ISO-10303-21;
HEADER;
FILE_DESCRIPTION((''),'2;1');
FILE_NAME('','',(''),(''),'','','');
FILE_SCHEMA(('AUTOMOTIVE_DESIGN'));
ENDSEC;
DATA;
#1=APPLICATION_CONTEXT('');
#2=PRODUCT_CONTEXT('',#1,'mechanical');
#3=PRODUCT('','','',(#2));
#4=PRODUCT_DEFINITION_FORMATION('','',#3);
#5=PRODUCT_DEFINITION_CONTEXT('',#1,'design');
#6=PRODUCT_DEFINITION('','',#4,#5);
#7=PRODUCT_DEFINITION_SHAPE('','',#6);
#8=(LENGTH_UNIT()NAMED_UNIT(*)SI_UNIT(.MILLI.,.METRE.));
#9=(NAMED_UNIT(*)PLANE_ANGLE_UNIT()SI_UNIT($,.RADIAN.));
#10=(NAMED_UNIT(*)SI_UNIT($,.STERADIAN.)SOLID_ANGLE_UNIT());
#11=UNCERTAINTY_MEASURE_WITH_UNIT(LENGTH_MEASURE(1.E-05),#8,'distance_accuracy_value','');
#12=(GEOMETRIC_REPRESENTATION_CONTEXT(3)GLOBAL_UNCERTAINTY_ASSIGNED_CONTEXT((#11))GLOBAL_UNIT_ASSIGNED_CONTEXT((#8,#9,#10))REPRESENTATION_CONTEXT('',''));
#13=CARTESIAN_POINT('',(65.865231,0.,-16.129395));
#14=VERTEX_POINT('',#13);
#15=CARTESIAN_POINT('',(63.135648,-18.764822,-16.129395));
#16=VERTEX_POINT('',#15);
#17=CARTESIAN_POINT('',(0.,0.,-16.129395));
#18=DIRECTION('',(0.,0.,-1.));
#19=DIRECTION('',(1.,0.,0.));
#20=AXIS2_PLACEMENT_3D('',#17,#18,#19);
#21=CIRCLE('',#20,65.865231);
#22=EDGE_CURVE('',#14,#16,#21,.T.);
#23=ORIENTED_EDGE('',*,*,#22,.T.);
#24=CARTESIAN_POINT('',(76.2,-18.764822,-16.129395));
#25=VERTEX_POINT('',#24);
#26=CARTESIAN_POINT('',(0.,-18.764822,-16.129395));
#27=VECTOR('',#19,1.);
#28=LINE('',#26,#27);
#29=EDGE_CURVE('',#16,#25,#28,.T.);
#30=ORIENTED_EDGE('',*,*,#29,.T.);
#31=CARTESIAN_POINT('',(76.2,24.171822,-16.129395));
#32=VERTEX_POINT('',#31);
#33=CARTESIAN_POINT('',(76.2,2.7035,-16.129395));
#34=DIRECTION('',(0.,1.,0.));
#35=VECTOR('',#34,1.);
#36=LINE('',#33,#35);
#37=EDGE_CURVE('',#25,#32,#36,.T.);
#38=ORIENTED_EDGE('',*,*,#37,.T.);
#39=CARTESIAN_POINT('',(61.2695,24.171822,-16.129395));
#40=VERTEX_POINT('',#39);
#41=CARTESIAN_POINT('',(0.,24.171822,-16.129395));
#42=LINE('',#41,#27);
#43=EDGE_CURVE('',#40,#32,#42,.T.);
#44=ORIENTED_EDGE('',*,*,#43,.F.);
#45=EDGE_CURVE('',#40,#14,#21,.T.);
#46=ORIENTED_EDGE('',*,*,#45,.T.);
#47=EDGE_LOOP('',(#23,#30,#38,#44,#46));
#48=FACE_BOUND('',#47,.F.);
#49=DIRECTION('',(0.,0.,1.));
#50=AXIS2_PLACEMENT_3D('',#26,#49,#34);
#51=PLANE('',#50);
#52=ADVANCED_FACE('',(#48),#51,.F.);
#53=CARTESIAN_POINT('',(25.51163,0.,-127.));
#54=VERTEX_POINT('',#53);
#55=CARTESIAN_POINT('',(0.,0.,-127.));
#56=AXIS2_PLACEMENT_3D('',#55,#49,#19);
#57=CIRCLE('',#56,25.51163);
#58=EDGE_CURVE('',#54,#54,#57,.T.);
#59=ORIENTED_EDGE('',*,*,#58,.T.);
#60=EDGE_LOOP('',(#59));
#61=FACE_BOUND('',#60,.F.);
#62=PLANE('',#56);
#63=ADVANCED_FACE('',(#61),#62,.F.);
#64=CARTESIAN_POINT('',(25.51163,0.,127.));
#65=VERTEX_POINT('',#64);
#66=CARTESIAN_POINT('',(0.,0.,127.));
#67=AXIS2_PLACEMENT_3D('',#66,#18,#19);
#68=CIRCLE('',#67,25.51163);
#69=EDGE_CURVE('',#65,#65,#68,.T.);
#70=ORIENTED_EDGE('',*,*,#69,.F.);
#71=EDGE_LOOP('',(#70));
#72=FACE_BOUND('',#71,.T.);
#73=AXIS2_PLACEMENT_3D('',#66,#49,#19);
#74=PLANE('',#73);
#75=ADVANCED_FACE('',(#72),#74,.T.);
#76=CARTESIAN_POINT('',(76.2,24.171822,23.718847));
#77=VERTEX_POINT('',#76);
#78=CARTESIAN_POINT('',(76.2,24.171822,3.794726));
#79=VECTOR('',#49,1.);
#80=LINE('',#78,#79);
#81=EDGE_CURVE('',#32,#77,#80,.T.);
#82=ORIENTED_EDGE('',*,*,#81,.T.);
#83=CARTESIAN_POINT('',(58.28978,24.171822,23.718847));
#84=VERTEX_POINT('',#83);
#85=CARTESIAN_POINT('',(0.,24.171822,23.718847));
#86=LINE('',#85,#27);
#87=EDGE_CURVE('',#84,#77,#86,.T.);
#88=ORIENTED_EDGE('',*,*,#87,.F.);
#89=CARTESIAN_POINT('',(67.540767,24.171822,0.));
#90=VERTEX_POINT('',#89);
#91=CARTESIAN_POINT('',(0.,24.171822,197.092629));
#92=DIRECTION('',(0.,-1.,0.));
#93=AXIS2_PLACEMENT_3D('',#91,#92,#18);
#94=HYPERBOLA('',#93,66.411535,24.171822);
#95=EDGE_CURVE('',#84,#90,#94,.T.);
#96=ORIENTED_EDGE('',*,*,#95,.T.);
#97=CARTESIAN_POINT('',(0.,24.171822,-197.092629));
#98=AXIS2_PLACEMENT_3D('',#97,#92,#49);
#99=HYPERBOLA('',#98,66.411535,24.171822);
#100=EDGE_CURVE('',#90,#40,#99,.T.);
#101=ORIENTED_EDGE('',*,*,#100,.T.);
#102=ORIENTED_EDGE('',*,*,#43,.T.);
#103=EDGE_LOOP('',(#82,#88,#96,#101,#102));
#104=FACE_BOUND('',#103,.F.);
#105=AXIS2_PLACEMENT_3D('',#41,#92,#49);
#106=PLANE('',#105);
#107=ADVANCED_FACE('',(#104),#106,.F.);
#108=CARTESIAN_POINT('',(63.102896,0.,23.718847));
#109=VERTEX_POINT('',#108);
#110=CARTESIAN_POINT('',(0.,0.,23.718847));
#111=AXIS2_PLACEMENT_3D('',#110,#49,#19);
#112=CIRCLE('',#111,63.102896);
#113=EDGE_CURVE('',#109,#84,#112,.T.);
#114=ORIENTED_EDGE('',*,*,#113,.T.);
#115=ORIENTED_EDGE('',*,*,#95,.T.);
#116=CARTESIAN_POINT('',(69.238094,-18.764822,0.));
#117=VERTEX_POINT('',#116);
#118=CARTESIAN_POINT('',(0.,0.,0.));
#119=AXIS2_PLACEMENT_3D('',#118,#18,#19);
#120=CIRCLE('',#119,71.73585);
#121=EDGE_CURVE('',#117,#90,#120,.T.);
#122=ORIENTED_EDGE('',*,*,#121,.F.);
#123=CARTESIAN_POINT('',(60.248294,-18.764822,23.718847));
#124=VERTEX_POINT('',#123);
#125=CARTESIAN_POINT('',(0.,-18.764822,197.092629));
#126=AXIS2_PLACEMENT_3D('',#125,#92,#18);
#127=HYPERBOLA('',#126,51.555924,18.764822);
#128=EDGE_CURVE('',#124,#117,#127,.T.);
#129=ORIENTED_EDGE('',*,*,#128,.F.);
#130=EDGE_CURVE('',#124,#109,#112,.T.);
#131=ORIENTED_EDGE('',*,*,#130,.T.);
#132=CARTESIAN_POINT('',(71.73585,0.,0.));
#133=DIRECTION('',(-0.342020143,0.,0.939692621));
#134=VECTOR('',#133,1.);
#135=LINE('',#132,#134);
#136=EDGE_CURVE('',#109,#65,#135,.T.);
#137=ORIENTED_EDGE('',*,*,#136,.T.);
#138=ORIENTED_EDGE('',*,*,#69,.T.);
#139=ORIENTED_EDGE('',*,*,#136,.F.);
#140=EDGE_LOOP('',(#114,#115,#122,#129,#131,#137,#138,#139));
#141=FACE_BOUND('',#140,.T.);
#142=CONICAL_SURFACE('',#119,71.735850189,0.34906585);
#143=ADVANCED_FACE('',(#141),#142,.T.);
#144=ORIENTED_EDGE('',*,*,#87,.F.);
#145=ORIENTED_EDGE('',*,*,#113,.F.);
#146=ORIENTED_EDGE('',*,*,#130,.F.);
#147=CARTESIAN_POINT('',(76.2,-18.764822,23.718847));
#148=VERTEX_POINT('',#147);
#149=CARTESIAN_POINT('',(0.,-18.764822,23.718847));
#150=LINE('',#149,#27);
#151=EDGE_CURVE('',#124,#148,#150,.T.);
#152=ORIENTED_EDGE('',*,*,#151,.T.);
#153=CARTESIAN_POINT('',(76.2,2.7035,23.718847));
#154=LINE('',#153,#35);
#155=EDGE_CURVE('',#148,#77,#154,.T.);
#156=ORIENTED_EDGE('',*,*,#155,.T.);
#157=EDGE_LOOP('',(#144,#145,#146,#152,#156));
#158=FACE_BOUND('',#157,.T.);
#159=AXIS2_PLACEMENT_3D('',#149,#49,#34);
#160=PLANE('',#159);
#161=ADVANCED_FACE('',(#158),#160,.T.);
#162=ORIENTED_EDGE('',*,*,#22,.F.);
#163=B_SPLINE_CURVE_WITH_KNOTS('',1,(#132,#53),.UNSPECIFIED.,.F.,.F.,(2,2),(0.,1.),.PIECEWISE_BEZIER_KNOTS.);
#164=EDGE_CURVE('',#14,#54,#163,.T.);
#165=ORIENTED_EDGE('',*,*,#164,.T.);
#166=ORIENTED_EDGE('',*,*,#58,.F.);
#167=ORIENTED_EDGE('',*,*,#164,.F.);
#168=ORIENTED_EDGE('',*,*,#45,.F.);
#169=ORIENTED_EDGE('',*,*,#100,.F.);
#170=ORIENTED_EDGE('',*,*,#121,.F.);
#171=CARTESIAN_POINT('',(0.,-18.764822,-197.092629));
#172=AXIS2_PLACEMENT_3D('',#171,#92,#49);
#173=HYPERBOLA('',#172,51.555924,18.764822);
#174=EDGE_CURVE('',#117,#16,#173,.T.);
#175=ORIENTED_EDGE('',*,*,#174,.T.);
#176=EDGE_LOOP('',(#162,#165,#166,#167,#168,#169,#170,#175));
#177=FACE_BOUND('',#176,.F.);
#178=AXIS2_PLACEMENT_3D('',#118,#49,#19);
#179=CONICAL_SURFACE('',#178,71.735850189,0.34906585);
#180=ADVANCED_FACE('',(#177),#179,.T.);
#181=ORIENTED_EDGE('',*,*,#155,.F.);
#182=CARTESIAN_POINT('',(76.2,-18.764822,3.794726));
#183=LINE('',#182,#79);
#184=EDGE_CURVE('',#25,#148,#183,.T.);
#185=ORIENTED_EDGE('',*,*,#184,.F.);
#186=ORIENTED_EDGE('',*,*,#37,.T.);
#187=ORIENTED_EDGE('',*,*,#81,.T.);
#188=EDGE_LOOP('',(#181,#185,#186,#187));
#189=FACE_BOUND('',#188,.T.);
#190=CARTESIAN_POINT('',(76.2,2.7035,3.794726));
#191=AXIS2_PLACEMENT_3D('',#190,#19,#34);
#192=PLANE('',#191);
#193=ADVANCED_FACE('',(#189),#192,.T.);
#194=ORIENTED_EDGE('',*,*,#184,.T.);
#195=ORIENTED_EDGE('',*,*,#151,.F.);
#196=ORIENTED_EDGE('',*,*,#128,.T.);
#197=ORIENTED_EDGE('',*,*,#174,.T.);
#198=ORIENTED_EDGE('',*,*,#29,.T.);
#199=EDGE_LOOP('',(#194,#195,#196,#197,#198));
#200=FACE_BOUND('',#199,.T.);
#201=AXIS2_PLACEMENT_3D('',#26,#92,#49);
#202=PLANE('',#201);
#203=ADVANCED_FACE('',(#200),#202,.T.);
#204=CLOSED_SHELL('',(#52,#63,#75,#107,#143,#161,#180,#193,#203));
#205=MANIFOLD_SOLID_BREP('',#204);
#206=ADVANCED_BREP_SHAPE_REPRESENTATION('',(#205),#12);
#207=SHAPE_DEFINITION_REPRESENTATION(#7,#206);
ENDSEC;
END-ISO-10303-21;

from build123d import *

# Parameters (mm, degrees)
F0_R     = 71.7358501893
F1_DEPTH = 127
F1_TAPER = 20
F2_W     = 42.9366435856
F2_H     = 39.848241955
F3_DEPTH = 76.2


with BuildPart() as f1:
    # F0 (on Top) → F1 (new body, symmetric)
    with BuildSketch(Plane.XY):
        Circle(F0_R)
    extrude(amount=F1_DEPTH, both=True, taper=F1_TAPER)

    # F2 (on Right) → F3 (join)
    with BuildSketch(Plane.YZ):
        with Locations((2.7034999803, 3.7947259843)):
            Rectangle(F2_W, F2_H)
    extrude(amount=F3_DEPTH)


solid = f1.part
